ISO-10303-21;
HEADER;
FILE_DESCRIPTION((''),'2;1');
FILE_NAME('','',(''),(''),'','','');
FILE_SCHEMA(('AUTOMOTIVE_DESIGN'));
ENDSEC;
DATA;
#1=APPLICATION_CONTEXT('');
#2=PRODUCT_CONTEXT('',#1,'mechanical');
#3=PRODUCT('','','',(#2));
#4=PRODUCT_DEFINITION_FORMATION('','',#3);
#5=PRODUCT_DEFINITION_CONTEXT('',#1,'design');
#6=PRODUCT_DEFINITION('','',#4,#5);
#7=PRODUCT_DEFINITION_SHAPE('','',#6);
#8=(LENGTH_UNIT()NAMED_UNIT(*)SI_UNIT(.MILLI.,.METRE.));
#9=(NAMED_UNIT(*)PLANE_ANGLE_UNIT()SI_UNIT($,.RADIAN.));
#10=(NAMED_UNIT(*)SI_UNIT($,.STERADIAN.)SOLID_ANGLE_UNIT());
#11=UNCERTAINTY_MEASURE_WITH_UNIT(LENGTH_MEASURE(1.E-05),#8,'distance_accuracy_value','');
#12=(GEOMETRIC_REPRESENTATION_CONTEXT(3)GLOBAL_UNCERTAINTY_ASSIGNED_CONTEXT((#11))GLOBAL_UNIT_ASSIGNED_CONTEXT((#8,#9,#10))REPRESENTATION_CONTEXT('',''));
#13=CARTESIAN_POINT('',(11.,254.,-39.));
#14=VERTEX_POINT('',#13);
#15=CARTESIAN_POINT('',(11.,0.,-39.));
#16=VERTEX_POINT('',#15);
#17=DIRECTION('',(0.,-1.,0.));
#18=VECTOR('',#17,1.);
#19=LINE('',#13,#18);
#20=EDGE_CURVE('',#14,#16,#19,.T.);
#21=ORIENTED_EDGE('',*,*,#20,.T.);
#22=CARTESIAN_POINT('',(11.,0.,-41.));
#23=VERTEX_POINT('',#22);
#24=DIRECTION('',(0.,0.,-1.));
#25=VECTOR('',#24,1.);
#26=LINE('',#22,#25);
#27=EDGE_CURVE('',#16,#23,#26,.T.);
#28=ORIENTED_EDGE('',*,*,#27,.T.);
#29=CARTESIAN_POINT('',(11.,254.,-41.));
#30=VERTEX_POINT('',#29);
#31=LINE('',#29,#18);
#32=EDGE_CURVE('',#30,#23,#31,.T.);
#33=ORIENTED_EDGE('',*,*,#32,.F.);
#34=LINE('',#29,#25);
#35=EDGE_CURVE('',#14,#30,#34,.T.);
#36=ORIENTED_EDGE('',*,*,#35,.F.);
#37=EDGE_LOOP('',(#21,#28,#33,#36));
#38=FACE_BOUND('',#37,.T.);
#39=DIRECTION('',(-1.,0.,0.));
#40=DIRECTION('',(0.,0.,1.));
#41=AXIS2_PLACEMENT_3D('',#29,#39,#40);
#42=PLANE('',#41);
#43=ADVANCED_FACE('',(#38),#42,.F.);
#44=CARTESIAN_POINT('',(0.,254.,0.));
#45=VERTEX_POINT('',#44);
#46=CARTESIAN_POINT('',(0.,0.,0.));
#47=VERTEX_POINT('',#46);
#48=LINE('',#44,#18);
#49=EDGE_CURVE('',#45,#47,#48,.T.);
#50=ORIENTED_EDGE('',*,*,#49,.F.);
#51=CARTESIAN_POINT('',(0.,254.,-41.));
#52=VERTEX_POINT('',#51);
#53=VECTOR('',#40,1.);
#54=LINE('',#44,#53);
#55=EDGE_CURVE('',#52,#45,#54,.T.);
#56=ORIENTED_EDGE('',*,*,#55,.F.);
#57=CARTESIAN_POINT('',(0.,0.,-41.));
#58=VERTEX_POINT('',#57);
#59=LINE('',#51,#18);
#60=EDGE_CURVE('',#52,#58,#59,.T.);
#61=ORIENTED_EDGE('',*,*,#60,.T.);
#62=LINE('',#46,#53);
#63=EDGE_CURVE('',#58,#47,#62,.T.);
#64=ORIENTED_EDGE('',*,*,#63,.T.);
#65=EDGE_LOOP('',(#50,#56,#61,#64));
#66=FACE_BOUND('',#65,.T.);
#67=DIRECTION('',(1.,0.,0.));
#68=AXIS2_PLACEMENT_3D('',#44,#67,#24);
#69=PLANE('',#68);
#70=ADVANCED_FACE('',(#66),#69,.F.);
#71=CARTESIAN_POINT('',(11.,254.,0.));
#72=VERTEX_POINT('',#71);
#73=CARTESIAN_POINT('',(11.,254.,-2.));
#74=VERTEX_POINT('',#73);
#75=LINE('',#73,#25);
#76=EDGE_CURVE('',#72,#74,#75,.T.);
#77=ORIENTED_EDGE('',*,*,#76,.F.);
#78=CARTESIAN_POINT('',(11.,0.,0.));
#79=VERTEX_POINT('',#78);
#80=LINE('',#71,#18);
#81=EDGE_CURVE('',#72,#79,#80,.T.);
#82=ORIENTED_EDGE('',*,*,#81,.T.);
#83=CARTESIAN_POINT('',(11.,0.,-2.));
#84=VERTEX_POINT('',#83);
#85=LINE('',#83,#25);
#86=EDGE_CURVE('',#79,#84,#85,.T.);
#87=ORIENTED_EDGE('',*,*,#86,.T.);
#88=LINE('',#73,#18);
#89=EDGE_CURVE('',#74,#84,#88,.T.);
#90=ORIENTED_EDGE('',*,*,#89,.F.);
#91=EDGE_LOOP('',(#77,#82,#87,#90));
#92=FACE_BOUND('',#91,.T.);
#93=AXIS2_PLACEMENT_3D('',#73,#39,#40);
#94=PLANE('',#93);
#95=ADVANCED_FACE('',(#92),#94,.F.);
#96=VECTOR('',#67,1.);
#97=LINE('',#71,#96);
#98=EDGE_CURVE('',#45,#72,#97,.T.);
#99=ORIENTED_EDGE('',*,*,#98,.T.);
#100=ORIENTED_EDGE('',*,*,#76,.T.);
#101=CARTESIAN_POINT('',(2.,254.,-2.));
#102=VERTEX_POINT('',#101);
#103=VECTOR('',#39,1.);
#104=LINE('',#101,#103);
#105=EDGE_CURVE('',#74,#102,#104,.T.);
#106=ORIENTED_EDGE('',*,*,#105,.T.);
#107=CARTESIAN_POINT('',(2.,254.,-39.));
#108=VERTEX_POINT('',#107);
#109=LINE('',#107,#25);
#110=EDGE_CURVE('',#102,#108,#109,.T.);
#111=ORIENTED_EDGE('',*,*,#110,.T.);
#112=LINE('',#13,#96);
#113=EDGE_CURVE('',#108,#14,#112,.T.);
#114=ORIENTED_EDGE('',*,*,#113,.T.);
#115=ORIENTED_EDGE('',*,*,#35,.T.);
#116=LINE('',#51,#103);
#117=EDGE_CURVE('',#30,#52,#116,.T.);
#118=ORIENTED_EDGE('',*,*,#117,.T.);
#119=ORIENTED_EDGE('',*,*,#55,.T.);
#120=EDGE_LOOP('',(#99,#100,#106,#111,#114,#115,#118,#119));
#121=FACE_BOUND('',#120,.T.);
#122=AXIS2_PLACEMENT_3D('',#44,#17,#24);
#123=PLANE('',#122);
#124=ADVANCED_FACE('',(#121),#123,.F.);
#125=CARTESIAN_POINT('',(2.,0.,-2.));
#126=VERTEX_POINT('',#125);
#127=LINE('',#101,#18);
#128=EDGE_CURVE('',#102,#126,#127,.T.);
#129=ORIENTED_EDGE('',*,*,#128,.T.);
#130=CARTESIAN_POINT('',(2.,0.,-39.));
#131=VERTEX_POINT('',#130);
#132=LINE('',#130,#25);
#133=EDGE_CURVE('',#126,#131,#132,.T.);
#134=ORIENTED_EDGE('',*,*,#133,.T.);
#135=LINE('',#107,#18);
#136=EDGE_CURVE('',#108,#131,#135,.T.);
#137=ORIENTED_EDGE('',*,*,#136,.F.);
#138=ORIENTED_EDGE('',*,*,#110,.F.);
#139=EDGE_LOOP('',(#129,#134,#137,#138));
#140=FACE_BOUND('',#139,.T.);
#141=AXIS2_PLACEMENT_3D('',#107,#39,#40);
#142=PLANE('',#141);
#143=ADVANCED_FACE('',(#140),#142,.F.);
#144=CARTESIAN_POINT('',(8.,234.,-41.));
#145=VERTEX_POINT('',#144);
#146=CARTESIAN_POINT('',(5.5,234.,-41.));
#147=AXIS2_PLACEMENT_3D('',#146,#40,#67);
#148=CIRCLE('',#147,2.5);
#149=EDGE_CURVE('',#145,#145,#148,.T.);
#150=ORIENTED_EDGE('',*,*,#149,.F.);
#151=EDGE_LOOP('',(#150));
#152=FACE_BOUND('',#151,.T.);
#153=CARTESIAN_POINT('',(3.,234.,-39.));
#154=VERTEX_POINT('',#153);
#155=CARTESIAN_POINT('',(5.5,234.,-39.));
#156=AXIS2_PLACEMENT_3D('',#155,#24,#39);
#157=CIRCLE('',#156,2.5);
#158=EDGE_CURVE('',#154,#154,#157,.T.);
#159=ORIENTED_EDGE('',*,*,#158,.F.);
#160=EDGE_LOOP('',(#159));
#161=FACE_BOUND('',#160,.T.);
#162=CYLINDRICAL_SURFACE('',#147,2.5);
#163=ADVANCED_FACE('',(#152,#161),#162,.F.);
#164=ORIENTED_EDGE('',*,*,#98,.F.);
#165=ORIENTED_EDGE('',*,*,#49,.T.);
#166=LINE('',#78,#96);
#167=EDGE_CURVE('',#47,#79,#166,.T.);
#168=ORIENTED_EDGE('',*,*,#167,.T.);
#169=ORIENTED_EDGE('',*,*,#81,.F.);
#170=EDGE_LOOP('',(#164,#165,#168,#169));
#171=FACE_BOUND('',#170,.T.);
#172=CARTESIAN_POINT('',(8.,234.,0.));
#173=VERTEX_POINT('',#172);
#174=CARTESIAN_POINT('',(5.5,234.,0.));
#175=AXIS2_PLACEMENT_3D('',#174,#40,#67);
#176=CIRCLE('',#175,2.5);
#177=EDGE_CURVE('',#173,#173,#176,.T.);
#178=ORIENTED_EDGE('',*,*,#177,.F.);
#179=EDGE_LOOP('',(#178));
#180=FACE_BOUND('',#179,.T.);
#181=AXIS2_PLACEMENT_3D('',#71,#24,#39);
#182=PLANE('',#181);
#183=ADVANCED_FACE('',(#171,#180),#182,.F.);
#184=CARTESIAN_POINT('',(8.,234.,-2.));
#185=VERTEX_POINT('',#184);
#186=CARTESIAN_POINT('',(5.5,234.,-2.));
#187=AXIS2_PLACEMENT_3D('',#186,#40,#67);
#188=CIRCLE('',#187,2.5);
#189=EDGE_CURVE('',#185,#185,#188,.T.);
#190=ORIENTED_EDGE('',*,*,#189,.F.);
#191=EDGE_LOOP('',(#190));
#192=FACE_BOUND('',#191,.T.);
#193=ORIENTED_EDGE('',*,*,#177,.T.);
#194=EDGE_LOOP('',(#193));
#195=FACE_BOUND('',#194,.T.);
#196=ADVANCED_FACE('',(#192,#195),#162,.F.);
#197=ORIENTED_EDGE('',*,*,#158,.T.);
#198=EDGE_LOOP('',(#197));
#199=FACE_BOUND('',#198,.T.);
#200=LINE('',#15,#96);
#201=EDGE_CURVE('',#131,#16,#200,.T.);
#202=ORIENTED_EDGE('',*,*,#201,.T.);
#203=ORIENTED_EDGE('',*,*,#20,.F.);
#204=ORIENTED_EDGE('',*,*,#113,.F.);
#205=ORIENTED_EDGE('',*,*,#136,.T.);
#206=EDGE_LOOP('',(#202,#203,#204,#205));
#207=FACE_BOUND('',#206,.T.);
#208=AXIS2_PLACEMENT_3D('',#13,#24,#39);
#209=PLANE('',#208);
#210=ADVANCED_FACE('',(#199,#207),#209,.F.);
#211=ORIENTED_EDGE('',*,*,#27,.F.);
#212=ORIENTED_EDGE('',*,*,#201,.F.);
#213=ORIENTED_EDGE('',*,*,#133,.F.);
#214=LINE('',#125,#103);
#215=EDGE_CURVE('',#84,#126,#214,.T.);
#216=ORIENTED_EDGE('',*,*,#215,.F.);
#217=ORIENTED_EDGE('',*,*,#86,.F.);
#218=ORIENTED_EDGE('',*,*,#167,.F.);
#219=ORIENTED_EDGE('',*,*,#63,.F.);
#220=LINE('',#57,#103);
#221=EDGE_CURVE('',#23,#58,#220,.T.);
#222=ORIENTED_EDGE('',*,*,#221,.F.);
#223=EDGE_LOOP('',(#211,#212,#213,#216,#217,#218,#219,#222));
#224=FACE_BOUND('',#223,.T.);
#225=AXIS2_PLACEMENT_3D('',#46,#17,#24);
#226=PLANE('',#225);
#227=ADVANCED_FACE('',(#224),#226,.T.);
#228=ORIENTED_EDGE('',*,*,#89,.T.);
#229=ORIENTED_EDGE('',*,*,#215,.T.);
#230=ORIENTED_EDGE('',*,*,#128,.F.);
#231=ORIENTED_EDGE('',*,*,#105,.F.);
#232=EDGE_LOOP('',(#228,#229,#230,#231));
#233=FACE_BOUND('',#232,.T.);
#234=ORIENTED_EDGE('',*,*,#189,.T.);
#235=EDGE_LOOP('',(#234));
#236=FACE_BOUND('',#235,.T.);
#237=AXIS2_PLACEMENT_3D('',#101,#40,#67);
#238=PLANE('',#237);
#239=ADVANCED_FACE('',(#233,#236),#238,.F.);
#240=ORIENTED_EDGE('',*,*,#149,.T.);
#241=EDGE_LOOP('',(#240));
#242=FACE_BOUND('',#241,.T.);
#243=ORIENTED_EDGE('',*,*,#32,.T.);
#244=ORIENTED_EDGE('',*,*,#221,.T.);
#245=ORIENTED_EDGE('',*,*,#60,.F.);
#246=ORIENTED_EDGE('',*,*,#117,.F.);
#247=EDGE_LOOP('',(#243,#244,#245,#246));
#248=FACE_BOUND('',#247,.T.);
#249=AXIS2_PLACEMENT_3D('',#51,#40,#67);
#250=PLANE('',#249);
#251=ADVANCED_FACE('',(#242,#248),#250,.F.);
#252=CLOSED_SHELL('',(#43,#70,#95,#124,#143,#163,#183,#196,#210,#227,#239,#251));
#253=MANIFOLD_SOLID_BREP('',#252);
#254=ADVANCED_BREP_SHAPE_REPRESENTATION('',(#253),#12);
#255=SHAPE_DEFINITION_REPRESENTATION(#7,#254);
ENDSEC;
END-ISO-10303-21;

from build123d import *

# Parameters (mm, degrees)
BOSS_EXTRUDE1_DEPTH = 254
SKETCH2_R           = 2.5
CUT_EXTRUDE1_DEPTH  = 42


with BuildPart() as part:
    # Sketch1 → Boss-Extrude1 (new body)
    with BuildSketch(Plane(origin=(0, 0, 0), x_dir=(1, 0, 0), z_dir=(0, 1, 0))):
        Polygon((0, 0), (0, 41), (11, 41), (11, 39), (2, 39), (2, 2), (11, 2), (11, 0), align=None)
    extrude(amount=BOSS_EXTRUDE1_DEPTH)

    # Sketch2 → Cut-Extrude1 (cut, through all)
    with BuildSketch(Plane.XY):
        with Locations((5.5, 234)):
            Circle(SKETCH2_R)
    extrude(amount=-CUT_EXTRUDE1_DEPTH, mode=Mode.SUBTRACT)


solid = part.part
